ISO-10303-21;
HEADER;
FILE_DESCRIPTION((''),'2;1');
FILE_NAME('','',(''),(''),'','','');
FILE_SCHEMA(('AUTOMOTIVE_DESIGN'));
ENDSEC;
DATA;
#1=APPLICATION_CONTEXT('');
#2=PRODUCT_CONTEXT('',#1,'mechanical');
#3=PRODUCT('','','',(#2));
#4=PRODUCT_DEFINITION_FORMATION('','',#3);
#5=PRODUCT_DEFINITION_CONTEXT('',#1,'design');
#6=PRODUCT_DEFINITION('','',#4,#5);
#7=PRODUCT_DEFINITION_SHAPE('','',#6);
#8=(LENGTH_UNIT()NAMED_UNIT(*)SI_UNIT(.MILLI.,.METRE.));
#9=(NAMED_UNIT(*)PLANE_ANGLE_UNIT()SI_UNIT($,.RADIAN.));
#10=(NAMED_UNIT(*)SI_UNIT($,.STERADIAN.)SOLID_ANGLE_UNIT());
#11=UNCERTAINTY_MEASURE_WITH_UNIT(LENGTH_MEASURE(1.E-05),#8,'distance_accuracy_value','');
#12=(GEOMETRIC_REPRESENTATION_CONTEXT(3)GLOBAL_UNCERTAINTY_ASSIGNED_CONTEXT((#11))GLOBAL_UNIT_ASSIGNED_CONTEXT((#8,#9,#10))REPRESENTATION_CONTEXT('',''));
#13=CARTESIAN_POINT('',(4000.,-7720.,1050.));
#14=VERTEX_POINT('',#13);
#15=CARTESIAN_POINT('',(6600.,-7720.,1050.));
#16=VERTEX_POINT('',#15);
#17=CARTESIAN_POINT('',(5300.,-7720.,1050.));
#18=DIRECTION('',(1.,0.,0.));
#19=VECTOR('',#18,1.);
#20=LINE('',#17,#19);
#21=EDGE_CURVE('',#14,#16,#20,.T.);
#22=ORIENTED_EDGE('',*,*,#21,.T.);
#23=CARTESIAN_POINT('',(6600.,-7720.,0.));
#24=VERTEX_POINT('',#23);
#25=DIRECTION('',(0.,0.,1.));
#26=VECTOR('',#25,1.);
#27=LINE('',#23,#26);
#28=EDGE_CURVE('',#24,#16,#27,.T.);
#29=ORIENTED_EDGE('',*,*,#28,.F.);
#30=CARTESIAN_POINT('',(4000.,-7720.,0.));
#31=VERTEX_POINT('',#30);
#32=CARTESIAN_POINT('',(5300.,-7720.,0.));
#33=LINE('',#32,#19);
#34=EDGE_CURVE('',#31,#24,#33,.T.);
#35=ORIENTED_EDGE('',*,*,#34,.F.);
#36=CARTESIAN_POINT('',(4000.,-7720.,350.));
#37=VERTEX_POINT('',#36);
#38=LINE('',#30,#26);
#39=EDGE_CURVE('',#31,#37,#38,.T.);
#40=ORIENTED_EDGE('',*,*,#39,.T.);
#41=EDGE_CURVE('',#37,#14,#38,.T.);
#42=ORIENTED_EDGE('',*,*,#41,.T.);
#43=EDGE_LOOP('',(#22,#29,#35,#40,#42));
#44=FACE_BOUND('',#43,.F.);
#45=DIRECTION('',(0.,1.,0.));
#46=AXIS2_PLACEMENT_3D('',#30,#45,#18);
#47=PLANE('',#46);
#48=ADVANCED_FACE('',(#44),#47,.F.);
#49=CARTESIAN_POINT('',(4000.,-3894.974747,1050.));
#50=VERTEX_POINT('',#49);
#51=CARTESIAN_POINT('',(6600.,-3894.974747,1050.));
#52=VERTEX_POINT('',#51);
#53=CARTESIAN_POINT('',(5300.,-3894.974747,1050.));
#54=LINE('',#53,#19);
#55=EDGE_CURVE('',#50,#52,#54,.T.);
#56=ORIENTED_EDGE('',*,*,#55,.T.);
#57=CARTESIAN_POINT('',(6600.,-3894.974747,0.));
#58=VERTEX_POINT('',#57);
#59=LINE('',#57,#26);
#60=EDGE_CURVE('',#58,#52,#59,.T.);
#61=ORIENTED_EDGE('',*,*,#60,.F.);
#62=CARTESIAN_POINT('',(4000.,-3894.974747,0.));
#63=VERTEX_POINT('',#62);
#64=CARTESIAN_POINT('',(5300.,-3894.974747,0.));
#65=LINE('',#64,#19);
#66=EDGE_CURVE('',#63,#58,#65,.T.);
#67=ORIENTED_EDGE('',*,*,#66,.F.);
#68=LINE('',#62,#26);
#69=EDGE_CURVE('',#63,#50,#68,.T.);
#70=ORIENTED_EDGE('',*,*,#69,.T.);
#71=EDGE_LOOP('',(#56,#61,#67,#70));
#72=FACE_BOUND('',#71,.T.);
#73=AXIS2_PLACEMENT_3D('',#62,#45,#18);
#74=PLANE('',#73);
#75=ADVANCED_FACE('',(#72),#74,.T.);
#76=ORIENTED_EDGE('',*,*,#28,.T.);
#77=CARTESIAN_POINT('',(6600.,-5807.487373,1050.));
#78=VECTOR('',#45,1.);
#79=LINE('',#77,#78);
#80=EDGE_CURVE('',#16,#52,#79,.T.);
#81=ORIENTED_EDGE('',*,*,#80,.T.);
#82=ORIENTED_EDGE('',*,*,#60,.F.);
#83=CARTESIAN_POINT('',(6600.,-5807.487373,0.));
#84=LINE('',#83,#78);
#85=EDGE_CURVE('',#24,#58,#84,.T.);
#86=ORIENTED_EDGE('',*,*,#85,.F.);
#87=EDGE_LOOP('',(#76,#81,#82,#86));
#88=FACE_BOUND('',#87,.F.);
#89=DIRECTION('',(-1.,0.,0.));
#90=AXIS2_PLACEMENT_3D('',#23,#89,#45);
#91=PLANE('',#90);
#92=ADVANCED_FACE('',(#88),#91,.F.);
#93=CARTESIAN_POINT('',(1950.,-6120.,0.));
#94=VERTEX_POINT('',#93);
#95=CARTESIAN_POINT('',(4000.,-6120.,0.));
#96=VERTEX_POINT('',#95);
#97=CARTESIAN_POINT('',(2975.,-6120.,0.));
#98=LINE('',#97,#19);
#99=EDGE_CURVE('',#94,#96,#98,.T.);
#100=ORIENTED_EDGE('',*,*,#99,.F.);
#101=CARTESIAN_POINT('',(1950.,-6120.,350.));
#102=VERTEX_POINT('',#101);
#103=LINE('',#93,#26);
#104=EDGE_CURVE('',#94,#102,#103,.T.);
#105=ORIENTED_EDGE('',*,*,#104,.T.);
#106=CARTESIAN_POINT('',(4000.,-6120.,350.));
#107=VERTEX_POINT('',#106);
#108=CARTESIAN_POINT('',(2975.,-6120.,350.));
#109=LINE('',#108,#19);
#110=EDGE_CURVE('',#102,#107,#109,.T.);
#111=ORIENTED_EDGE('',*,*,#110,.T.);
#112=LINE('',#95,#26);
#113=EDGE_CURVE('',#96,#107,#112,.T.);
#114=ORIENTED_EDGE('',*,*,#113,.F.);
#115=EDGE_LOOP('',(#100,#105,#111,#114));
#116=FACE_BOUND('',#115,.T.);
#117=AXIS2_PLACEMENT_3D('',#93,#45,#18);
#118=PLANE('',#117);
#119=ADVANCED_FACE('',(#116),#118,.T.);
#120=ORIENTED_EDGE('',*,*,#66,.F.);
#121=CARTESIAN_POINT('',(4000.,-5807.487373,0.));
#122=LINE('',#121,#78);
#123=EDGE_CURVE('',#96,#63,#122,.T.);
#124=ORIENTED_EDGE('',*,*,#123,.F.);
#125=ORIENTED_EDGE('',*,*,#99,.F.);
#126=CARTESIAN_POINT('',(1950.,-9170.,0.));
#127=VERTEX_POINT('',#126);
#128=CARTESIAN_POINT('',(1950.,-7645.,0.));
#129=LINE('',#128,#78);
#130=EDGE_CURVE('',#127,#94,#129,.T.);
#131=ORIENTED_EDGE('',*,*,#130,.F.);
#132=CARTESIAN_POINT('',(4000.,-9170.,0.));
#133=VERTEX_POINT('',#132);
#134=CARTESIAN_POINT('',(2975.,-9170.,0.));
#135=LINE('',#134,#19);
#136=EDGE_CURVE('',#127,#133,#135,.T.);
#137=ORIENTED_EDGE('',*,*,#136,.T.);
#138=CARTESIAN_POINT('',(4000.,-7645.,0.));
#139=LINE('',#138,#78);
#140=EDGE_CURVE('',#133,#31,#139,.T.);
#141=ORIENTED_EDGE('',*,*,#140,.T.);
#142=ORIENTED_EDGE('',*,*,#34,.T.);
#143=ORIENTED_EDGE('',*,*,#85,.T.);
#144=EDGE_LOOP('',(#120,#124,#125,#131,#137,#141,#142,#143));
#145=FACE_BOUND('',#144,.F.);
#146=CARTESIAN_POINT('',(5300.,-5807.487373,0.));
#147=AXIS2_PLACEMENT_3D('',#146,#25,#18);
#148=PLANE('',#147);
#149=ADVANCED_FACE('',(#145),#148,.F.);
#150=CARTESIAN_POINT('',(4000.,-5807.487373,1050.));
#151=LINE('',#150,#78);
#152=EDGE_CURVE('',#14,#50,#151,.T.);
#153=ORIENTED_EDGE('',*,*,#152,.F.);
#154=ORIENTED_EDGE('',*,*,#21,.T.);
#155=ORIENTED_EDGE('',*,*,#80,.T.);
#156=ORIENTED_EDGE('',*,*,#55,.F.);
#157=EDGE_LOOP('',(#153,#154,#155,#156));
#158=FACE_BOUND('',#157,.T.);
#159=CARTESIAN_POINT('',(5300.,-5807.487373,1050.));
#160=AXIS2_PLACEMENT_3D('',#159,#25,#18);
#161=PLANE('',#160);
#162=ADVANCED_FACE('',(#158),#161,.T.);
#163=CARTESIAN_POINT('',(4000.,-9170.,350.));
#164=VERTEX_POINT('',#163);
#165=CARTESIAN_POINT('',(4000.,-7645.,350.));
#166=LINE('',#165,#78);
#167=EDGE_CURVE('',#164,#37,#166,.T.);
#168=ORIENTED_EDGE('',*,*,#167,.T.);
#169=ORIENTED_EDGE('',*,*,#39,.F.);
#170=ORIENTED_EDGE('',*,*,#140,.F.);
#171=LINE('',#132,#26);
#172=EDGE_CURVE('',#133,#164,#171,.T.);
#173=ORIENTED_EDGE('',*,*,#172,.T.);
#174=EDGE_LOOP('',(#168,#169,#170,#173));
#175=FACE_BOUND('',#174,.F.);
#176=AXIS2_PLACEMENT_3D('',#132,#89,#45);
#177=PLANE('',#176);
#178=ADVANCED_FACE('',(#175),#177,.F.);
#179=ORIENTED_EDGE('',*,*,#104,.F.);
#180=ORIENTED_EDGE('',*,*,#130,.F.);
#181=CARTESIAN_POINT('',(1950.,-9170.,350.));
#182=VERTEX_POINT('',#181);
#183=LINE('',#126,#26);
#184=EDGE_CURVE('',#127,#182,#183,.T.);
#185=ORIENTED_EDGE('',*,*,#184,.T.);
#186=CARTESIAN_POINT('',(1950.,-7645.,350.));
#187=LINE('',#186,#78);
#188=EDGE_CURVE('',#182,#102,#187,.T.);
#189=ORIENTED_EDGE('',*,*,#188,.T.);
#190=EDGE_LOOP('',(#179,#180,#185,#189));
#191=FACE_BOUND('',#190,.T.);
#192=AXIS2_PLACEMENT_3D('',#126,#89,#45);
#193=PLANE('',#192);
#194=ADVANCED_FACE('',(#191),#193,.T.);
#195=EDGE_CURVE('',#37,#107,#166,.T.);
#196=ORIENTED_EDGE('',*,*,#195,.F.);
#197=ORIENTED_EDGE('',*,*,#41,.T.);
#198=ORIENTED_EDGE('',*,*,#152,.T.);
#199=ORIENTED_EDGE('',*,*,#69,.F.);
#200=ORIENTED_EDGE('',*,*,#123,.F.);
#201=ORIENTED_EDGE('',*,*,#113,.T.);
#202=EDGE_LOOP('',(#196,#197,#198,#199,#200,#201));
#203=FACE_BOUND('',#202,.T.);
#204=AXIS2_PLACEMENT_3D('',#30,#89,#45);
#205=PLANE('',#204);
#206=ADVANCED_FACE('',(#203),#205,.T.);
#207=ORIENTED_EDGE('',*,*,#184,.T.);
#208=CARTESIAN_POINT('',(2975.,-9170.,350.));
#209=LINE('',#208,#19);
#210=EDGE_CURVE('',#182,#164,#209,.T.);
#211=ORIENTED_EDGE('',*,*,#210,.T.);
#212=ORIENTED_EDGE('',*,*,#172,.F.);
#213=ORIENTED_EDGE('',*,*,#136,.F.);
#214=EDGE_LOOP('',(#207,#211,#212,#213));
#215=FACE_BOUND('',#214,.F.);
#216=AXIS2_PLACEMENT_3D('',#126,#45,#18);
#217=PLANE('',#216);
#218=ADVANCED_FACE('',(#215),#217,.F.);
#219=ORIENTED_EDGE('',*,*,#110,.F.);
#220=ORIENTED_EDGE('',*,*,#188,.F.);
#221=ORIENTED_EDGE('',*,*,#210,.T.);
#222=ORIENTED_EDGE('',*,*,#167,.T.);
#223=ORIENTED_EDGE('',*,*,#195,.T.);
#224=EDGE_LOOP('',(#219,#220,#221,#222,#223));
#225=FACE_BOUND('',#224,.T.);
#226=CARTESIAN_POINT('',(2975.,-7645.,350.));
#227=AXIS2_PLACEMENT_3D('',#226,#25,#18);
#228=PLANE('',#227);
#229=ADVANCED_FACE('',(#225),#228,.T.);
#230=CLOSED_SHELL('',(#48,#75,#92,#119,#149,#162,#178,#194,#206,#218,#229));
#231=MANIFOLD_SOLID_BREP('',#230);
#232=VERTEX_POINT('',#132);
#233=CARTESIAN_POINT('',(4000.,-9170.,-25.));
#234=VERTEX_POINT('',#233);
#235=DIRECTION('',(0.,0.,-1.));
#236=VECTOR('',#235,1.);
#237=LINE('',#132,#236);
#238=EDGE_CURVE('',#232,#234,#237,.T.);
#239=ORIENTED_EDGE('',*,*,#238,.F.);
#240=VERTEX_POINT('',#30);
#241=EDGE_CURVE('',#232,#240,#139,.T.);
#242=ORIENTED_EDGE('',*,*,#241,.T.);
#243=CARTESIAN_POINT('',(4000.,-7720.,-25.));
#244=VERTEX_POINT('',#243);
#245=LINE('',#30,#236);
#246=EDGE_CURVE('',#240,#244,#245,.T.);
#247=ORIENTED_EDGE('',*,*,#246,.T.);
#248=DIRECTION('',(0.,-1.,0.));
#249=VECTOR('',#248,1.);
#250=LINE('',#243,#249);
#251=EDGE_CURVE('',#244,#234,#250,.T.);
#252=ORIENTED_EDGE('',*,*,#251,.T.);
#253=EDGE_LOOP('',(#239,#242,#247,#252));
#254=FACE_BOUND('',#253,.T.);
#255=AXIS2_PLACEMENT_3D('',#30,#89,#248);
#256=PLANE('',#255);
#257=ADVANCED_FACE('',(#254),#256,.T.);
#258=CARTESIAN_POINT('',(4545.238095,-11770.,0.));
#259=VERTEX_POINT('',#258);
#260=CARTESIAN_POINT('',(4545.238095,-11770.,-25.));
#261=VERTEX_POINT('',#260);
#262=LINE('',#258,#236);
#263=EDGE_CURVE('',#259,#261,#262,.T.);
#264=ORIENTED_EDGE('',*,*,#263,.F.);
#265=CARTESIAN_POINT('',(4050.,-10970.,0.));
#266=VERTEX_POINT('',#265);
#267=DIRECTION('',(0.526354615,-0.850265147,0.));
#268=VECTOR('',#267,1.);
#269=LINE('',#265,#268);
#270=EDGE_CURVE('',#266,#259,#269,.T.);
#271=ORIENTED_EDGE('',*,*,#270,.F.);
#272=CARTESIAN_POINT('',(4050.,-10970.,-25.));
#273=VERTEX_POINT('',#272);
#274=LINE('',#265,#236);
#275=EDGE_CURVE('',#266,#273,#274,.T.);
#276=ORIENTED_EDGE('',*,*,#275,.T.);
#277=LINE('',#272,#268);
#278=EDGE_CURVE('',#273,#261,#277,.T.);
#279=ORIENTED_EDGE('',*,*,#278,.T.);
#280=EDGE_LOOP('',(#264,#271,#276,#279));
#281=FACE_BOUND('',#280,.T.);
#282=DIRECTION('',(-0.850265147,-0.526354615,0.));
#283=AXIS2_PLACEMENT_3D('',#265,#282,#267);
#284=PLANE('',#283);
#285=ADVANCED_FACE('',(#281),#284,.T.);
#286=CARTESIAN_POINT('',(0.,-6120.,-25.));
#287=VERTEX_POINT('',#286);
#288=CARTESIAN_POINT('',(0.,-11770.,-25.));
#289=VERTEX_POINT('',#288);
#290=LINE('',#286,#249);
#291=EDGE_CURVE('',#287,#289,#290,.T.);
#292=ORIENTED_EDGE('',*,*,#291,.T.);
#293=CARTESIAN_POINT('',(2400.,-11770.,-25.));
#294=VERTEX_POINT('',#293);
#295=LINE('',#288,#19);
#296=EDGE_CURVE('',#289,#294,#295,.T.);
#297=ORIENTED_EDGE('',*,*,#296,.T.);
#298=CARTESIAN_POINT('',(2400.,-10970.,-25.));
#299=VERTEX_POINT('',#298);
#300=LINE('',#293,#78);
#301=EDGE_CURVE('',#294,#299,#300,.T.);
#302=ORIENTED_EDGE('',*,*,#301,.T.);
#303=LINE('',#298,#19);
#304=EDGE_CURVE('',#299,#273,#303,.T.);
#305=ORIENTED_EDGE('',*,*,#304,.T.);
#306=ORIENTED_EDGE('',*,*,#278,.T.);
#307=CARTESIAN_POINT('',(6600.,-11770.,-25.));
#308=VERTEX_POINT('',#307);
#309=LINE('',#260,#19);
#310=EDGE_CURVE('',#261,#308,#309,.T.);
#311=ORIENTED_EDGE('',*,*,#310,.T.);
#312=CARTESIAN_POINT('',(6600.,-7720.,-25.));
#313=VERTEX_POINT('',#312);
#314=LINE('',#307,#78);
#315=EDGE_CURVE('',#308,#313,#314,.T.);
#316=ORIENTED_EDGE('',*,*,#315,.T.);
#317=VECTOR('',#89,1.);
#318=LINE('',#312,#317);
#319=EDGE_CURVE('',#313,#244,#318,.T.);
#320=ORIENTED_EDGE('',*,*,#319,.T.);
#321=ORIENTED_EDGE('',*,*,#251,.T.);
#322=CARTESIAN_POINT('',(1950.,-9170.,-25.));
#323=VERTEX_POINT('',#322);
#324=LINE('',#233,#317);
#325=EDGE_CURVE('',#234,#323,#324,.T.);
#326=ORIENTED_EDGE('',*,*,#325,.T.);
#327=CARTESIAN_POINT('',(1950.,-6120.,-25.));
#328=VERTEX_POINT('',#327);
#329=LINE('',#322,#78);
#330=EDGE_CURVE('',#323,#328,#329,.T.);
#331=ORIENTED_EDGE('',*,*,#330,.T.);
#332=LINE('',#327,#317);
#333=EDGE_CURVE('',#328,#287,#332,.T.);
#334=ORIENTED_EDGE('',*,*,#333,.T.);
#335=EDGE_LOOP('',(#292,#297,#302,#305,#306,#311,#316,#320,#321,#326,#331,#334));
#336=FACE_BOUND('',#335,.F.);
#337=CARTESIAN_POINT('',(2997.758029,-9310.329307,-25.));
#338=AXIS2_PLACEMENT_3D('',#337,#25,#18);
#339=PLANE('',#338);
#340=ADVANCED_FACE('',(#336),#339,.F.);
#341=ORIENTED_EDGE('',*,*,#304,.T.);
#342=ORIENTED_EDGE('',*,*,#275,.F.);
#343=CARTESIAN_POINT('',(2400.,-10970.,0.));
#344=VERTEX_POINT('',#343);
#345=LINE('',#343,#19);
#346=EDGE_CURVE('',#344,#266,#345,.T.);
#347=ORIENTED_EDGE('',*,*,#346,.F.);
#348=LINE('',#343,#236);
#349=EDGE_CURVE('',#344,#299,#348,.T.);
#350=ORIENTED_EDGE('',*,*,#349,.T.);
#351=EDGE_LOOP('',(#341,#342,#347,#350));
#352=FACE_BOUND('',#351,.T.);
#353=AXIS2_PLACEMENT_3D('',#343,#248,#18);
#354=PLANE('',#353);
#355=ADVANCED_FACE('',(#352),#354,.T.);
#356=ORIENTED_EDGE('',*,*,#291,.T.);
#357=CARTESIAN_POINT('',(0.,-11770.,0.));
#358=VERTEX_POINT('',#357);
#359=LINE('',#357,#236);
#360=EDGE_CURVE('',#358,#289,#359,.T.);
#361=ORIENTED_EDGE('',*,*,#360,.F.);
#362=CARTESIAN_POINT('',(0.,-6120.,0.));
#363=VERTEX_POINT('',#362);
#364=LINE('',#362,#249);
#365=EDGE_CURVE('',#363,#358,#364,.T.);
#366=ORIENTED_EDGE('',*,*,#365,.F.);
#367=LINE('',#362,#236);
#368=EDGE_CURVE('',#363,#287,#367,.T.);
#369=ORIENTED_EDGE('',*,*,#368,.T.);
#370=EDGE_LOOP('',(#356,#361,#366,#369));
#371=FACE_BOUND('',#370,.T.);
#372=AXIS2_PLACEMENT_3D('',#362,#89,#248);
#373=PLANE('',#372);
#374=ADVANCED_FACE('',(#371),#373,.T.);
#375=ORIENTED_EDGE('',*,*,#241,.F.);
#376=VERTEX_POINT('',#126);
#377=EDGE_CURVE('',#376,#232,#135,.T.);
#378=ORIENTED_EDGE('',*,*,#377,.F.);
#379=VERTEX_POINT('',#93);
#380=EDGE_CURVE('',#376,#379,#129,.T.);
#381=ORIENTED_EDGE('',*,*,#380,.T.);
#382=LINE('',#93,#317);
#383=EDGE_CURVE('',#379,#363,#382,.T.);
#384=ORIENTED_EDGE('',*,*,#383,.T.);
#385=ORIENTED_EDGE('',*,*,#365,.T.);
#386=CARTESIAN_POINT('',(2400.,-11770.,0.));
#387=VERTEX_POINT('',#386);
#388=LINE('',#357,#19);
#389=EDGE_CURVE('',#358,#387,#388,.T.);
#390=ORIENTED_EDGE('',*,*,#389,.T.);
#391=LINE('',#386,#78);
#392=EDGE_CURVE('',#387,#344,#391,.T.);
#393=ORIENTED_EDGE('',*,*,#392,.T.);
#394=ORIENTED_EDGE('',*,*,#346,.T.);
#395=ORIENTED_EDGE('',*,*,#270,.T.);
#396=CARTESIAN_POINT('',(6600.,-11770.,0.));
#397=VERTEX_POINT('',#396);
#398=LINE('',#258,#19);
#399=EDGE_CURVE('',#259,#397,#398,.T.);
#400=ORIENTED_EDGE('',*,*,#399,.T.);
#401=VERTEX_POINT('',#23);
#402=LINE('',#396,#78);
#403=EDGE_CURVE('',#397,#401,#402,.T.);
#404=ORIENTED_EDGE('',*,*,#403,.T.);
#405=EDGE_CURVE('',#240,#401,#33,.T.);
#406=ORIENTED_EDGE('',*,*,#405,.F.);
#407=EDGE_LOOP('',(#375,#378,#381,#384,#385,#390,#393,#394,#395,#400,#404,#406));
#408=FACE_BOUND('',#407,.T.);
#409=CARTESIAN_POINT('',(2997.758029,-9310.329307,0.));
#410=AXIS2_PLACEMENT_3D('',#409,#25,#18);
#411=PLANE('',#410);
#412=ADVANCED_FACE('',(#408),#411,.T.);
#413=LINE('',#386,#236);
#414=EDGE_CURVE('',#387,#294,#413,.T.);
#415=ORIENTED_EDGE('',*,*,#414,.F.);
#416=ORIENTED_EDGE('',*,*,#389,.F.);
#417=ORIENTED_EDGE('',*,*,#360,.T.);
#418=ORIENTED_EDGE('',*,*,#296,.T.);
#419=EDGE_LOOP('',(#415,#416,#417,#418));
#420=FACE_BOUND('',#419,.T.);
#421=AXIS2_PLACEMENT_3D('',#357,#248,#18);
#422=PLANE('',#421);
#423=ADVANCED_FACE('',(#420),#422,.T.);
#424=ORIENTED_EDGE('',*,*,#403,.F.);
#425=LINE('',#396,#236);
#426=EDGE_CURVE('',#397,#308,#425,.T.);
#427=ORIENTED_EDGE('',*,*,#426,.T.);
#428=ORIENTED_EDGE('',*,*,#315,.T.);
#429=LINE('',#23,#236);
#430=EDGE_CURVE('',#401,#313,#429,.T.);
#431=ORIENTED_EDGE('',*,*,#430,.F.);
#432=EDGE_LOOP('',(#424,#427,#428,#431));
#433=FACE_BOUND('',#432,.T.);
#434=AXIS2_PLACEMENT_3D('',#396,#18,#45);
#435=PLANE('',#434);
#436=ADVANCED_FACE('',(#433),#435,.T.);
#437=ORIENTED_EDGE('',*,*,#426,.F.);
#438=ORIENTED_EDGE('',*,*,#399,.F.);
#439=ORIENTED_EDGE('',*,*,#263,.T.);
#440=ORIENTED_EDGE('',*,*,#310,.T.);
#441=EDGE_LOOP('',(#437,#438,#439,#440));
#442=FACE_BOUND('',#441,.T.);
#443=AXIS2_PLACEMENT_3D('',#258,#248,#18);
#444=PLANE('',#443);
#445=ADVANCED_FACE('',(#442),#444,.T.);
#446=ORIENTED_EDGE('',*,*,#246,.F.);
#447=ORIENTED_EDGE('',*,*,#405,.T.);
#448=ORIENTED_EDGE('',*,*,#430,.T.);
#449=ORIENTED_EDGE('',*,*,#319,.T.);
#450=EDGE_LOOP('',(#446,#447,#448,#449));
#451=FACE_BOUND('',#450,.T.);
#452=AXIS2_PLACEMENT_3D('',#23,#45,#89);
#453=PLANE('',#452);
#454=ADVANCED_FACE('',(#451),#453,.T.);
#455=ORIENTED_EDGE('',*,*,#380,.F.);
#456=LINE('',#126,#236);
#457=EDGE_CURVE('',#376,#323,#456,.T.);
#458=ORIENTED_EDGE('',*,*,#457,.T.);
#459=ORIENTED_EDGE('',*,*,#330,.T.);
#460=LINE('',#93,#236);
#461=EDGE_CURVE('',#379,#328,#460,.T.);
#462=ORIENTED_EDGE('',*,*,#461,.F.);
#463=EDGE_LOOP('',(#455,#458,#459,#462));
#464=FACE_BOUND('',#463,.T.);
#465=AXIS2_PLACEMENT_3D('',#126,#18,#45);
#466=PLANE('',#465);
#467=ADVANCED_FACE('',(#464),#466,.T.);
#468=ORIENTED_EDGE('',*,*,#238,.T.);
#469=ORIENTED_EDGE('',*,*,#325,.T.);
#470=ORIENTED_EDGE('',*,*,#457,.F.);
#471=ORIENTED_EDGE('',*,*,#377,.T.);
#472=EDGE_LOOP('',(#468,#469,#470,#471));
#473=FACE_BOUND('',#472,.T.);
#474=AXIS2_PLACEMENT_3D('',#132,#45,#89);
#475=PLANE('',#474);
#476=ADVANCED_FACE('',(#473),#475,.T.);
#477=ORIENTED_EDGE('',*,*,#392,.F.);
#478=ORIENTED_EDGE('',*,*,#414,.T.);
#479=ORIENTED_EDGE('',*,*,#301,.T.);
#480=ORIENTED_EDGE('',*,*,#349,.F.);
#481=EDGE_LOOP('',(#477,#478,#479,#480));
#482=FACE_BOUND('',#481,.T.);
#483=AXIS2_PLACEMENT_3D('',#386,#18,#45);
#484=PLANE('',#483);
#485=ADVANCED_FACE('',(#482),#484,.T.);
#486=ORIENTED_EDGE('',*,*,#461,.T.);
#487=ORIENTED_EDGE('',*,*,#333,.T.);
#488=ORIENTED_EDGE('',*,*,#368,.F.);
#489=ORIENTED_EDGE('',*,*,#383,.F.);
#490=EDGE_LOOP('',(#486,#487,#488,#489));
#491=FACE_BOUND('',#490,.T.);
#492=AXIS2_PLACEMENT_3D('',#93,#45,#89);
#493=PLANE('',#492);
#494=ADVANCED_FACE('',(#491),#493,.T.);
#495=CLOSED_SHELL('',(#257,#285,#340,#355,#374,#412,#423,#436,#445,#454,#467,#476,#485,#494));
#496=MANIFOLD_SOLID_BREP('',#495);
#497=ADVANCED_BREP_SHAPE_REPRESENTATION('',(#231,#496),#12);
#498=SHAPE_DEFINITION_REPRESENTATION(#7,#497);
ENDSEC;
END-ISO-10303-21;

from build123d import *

# Parameters (mm, degrees)
F1_W     = 2050
F1_H     = 3050
F2_DEPTH = 350
F3_W     = 2600
F3_H     = 3825.0252531694
F4_DEPTH = 1050
F6_DEPTH = 25


with BuildPart() as f2:
    # F1 (on Top) → F2 (new body)
    with BuildSketch(Plane.XY):
        with Locations((2975, -7645)):
            Rectangle(F1_W, F1_H)
    extrude(amount=F2_DEPTH)

    # F3 (on Top) → F4 (join)
    with BuildSketch(Plane.XY):
        with Locations((5300, -5807.4873734153)):
            Rectangle(F3_W, F3_H)
    extrude(amount=F4_DEPTH)

    # F5 (on Top) → F6 (join)
    with BuildSketch(Plane.XY):
        Polygon((1950, -6120), (0, -6120), (0, -11770), (2400, -11770), (2400, -10970), (4050, -10970), (4545.2380952381, -11770), (6600, -11770), (6600, -7720), (4000, -7720), (4000, -9170), (1950, -9170), align=None)
    extrude(amount=-F6_DEPTH)


solid = f2.part
